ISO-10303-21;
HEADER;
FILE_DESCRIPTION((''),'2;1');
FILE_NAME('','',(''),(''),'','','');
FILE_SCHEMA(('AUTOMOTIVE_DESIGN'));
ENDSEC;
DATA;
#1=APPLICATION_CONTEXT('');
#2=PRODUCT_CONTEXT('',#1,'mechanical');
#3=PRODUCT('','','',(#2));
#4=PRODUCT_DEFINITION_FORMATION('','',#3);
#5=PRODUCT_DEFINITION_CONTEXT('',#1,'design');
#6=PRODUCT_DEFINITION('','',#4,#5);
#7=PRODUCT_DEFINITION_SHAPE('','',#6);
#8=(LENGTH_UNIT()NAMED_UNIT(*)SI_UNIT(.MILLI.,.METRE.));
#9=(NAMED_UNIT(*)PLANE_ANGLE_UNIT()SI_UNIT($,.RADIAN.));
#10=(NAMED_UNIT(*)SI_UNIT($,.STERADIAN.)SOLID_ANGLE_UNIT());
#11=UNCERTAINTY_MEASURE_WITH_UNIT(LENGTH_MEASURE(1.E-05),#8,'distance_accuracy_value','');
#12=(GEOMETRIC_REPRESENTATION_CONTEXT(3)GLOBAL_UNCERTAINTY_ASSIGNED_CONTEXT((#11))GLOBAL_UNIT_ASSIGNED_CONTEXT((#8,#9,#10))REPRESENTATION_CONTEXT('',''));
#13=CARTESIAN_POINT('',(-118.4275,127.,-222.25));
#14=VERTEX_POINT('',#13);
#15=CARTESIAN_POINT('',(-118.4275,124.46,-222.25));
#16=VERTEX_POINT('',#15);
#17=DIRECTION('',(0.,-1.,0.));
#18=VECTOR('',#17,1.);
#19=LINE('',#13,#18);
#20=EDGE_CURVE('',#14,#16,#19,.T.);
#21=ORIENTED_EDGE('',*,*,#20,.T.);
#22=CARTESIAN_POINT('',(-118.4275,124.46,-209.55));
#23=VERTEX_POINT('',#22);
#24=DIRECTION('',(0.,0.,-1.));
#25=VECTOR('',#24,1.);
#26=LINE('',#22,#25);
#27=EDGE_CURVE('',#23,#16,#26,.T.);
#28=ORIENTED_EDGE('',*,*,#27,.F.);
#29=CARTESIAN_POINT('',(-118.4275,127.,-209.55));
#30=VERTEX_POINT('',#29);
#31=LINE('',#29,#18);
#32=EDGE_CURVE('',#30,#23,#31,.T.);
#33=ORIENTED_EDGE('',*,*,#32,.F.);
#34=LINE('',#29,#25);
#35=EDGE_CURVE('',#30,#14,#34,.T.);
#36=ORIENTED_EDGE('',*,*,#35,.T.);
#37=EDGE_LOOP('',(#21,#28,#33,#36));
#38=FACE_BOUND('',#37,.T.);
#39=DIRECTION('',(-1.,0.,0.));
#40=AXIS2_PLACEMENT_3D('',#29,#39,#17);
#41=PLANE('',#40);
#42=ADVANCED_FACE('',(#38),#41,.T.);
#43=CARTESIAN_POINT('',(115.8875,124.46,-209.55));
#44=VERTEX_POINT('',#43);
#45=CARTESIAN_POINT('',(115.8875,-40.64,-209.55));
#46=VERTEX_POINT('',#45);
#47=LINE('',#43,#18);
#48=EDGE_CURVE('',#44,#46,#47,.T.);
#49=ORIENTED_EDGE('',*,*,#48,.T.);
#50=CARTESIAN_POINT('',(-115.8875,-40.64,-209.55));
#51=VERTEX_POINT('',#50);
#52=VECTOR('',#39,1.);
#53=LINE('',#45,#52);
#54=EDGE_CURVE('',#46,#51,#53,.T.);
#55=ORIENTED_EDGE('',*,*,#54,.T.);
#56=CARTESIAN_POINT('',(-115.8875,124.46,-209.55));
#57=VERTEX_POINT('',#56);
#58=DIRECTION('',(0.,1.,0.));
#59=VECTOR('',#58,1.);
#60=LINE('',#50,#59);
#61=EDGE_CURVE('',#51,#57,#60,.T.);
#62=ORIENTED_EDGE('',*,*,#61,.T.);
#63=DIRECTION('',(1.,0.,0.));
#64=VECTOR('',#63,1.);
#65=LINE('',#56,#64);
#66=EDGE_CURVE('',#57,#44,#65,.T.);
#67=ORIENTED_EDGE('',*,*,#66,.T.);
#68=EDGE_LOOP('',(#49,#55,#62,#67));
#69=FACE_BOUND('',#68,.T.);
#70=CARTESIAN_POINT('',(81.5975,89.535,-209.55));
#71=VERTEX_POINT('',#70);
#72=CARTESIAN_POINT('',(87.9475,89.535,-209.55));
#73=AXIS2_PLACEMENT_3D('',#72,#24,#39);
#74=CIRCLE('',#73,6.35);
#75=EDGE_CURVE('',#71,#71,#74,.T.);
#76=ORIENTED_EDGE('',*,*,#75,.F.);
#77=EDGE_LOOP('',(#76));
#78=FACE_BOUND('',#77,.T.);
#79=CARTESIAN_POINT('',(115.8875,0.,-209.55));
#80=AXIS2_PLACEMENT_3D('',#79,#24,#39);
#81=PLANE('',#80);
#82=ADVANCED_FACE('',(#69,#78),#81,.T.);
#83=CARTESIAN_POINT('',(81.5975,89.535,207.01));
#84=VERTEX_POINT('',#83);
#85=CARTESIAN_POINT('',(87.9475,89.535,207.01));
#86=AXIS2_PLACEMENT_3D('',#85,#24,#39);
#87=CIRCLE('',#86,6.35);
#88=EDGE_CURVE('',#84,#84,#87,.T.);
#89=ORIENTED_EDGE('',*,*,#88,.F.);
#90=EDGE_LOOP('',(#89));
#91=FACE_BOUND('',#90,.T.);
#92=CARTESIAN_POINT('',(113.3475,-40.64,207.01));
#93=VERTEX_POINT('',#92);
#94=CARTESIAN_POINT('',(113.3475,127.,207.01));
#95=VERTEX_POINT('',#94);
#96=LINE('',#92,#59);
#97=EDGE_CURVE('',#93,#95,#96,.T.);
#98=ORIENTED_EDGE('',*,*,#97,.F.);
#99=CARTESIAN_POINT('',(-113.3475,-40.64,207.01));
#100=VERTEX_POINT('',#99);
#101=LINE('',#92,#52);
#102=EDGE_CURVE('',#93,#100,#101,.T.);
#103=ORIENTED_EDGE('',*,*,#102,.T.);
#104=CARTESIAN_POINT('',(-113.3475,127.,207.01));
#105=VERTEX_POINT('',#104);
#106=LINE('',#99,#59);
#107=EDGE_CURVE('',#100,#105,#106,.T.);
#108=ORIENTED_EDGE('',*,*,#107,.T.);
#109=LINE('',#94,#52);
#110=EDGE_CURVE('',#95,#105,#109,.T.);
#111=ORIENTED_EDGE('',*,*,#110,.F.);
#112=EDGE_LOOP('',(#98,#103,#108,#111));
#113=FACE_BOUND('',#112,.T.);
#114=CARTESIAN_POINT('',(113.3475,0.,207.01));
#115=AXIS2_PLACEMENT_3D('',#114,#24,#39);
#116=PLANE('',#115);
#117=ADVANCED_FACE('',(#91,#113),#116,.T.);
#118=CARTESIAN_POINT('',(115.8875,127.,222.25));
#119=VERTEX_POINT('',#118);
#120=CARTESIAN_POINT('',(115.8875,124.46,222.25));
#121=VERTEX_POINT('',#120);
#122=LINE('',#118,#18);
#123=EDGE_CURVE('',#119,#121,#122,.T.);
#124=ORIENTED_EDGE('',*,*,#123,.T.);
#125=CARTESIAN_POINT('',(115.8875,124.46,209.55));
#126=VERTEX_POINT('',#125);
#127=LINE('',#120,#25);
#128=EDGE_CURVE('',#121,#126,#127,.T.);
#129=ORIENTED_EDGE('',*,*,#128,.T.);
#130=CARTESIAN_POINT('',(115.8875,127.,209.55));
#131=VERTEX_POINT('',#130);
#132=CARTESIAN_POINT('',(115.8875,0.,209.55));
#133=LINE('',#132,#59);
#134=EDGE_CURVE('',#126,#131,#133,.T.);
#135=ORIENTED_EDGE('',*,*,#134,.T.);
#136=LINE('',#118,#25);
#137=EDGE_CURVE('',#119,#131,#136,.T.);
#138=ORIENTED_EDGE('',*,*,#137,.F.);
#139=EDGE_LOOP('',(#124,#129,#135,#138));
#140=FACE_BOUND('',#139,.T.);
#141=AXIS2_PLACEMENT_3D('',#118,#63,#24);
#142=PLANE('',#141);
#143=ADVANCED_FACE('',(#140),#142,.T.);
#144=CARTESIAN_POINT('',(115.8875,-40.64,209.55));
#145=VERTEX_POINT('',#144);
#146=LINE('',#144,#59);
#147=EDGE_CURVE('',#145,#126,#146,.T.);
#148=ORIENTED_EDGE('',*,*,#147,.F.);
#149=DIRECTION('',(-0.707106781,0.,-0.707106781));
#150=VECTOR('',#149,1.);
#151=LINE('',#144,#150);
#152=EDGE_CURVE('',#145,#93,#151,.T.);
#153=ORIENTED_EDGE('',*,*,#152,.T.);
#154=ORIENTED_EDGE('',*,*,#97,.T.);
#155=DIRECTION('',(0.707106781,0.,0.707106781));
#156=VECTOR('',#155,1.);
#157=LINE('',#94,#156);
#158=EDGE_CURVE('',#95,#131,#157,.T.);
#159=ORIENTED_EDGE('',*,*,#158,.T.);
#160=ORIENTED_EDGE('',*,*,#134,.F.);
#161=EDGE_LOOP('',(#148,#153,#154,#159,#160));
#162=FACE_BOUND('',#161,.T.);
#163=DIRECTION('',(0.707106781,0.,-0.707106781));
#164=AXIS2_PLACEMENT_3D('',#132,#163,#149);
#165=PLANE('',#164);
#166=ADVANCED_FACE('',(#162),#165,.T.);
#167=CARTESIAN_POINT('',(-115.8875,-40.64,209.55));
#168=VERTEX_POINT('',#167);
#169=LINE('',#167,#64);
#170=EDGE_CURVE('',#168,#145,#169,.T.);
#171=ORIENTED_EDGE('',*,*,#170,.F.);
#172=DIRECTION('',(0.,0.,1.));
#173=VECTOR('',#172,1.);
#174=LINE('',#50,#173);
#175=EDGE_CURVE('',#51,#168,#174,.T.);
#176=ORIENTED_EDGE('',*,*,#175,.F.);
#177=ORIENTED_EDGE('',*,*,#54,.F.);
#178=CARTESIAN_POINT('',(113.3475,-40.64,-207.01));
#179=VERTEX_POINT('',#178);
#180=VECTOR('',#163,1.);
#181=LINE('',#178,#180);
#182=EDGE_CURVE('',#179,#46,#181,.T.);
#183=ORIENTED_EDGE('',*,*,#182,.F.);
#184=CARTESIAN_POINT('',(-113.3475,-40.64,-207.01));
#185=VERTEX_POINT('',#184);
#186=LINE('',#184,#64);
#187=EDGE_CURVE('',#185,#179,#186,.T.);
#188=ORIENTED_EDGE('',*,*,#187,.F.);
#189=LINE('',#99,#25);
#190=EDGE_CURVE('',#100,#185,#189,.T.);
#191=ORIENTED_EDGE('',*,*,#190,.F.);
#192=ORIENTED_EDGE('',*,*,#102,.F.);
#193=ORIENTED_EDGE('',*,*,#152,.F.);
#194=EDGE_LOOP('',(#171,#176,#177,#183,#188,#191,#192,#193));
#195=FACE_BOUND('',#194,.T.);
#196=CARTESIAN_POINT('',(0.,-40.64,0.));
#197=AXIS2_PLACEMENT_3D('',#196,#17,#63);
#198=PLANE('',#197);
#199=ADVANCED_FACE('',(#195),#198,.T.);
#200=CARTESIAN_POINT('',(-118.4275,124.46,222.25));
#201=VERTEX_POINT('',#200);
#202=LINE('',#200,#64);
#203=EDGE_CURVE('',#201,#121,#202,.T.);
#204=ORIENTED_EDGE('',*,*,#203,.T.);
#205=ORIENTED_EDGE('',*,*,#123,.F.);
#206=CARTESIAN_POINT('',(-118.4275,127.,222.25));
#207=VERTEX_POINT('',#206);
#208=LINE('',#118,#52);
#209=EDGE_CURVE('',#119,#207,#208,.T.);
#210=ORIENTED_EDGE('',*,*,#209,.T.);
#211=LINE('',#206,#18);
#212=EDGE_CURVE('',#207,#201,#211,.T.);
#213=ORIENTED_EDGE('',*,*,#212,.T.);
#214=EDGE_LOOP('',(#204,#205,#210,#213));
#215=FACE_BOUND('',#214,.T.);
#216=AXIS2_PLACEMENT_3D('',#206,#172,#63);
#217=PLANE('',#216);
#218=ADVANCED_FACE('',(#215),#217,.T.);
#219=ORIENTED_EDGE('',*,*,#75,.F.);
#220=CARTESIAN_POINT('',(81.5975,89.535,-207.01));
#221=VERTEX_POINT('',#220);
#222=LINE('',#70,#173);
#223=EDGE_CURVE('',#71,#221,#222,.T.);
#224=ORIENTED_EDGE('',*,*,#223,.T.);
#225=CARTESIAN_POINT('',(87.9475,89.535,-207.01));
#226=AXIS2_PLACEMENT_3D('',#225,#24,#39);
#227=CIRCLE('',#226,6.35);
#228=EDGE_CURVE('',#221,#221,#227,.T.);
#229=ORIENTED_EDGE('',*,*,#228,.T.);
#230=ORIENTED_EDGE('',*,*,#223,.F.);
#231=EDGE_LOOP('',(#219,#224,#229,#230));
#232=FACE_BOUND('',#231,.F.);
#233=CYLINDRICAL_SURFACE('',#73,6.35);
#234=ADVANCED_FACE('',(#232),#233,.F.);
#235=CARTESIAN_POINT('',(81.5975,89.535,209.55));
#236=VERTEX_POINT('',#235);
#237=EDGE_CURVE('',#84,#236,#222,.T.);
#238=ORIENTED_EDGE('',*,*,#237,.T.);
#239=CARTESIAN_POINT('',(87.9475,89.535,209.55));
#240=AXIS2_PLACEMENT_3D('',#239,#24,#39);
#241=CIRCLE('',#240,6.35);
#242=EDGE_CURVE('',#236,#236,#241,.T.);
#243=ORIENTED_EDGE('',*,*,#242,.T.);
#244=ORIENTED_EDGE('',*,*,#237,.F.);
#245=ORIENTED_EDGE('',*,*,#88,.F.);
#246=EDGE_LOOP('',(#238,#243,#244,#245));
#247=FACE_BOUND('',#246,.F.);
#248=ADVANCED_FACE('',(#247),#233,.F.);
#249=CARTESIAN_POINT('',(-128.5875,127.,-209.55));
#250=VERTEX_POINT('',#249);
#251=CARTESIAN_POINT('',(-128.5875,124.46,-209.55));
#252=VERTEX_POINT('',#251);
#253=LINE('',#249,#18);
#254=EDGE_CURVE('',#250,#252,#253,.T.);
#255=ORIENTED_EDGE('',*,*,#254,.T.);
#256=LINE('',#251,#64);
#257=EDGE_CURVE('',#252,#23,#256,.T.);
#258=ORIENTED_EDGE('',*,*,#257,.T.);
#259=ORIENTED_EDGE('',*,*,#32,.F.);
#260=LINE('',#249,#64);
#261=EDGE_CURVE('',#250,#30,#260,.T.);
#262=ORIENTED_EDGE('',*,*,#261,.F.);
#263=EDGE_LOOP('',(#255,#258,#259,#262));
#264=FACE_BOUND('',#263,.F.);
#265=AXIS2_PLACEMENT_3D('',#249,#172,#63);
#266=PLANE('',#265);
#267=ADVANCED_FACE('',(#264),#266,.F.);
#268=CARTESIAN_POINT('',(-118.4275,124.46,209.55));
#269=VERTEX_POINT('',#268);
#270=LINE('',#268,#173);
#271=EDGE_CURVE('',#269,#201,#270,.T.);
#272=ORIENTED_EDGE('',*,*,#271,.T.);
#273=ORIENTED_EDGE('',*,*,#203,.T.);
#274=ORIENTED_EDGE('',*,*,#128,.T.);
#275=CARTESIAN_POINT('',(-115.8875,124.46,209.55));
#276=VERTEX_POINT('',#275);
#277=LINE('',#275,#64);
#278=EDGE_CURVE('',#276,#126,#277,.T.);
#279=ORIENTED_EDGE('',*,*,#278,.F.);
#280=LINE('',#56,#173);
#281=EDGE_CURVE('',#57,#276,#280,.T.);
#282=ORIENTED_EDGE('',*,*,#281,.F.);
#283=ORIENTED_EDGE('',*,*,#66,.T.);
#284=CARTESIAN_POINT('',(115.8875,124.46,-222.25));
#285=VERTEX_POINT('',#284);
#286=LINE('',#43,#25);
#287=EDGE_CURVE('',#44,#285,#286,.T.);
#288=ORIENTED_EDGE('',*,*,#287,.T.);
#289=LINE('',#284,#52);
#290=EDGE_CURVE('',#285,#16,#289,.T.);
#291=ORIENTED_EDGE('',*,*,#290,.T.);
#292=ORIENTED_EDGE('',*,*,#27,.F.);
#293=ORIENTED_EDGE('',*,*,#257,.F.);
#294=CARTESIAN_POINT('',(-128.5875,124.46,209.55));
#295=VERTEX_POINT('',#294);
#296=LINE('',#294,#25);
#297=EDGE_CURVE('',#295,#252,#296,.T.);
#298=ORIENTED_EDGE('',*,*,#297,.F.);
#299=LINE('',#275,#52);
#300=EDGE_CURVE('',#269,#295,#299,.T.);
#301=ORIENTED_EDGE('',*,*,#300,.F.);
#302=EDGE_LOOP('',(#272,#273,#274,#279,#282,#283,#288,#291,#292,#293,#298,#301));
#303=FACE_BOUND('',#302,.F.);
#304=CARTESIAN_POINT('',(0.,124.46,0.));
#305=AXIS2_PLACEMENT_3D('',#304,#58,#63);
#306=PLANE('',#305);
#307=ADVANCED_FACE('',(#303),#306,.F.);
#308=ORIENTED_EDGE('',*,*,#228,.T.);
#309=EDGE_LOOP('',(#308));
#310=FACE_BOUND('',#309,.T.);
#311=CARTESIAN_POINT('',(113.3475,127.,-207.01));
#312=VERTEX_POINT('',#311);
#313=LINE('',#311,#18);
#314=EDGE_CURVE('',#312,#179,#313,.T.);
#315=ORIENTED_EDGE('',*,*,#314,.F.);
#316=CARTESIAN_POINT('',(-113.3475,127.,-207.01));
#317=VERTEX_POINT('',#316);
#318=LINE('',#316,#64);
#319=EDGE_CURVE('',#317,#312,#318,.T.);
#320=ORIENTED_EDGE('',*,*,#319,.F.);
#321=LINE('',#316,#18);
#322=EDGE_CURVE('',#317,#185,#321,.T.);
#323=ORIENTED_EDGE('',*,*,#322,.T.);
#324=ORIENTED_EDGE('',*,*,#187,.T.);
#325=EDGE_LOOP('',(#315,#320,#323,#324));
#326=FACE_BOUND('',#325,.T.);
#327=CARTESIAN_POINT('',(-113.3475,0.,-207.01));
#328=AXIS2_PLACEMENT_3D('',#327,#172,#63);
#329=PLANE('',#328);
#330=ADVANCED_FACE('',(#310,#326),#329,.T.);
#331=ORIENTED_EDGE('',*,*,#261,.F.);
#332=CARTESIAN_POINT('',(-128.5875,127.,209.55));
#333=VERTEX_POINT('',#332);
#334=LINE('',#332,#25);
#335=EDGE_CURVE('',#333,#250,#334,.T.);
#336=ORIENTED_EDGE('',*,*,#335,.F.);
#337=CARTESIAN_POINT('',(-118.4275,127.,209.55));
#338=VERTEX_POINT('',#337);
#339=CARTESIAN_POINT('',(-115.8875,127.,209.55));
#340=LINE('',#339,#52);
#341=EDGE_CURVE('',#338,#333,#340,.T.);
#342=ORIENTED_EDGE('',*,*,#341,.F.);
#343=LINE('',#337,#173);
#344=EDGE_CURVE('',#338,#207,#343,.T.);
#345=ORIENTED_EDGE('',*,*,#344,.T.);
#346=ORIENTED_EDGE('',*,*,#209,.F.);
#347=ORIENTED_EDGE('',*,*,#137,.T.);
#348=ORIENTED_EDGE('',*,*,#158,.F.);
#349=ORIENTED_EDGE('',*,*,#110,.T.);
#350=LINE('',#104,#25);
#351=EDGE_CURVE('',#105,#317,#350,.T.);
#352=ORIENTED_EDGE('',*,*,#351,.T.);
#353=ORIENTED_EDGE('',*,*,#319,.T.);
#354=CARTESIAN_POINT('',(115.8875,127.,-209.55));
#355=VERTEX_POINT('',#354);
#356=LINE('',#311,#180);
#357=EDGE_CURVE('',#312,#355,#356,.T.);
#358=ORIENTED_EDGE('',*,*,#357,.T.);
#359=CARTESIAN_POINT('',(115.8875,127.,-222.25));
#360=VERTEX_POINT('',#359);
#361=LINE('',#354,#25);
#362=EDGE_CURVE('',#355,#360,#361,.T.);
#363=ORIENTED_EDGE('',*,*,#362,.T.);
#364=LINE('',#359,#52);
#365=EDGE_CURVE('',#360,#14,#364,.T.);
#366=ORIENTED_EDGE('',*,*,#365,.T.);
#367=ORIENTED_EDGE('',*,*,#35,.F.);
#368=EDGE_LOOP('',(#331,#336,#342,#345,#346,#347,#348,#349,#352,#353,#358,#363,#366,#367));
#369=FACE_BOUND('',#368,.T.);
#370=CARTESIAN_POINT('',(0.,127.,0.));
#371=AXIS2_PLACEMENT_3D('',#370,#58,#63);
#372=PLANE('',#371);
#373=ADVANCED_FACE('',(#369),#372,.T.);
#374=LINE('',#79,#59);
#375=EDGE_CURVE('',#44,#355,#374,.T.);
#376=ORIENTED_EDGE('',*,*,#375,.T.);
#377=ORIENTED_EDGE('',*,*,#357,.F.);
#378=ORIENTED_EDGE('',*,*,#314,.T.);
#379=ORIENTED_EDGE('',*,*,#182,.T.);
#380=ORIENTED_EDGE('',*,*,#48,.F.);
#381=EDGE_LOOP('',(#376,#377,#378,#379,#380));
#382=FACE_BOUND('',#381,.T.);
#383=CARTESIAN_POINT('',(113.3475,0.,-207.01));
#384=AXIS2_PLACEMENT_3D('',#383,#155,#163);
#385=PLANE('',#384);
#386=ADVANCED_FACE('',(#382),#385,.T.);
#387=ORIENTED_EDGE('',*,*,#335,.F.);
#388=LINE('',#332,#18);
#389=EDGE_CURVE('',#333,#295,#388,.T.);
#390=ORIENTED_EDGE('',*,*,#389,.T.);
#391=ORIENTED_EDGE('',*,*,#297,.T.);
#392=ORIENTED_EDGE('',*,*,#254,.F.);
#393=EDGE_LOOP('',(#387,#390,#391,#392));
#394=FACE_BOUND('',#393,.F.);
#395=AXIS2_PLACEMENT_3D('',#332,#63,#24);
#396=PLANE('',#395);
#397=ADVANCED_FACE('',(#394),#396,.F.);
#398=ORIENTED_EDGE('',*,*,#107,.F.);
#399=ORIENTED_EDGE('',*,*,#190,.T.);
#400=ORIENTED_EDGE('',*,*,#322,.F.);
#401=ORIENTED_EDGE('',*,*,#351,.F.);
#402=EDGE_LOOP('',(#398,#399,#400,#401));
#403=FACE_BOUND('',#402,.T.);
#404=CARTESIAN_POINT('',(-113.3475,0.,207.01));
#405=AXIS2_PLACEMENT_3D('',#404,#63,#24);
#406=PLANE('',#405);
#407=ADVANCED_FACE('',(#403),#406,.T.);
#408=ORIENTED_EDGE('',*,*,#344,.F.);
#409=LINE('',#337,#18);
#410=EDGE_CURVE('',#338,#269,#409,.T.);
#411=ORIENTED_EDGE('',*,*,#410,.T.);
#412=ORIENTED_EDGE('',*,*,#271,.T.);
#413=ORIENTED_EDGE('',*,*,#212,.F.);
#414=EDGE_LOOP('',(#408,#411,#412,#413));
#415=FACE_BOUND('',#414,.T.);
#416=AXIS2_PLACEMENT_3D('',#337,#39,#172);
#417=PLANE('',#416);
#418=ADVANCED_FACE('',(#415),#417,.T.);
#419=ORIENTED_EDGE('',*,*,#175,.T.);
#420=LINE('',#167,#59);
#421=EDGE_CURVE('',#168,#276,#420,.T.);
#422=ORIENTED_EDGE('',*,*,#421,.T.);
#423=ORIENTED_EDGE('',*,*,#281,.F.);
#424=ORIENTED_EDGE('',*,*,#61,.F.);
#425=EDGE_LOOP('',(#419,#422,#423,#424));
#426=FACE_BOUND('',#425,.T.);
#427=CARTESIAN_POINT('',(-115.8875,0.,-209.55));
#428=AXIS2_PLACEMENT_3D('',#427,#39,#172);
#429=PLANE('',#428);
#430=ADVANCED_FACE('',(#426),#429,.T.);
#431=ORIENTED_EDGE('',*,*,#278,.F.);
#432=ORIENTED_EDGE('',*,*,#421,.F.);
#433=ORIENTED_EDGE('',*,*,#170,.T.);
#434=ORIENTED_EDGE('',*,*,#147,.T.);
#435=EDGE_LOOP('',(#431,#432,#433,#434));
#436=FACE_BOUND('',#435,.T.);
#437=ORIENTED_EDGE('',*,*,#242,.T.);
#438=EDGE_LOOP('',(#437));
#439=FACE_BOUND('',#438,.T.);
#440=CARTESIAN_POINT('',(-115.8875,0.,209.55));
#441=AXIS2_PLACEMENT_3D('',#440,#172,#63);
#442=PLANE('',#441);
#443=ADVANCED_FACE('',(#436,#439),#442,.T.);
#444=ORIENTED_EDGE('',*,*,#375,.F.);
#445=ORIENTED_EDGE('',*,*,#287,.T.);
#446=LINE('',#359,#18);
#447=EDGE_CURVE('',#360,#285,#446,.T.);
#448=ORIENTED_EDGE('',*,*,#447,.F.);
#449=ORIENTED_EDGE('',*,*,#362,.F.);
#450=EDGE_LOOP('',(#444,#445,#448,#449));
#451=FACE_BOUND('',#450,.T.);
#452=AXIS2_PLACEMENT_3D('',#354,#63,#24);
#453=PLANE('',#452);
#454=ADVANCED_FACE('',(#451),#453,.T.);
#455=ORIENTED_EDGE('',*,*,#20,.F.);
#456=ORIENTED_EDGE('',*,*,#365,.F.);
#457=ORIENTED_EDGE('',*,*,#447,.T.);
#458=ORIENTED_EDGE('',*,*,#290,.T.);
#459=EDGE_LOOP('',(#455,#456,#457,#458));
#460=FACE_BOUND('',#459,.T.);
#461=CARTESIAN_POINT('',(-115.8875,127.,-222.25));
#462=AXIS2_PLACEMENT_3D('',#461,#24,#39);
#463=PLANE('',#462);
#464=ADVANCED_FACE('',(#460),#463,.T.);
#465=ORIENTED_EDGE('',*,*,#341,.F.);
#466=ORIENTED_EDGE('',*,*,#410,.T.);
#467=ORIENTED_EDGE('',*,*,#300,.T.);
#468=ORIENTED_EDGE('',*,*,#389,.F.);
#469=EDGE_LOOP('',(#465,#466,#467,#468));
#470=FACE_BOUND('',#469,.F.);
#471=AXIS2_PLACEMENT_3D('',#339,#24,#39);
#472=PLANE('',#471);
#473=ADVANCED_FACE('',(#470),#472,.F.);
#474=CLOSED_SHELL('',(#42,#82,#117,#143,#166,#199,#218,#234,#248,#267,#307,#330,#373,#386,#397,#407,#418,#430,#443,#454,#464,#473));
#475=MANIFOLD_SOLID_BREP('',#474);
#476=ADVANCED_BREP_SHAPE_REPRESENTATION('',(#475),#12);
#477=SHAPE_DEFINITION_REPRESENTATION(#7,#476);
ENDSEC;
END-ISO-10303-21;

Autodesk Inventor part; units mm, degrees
ref_plane "YZ Plane" through (0, 0, 0) normal (1, 0, 0) x (0, 1, 0)
ref_plane "XZ Plane" through (0, 0, 0) normal (0, 1, 0) x (-1, 0, 0)
ref_plane "XY Plane" through (0, 0, 0) normal (0, 0, 1) x (1, 0, 0)
sketch "Sketch1" plane through (0, 0, 0) normal (0, 1, 0) x (-1, 0, 0)
  line L0 (-115.8875, -209.55) -> (115.8875, -209.55)
  line L1 (115.8875, -209.55) -> (115.8875, 209.55)
  line L2 (115.8875, 209.55) -> (-115.8875, 209.55)
  line L3 (-115.8875, -209.55) -> (115.8875, 209.55) construction
  line L4 (115.8875, -209.55) -> (-115.8875, 209.55) construction
  line L5 (113.3475, 207.01) -> (113.3475, -207.01)
  line L6 (113.3475, -207.01) -> (-113.3475, -207.01)
  line L7 (-113.3475, 207.01) -> (113.3475, 207.01)
  line L8 (-113.3475, 207.01) -> (-115.8875, 209.55)
  line L9 (-113.3475, -207.01) -> (-115.8875, -209.55)
  point P0 (0, 0)
  dimension "d0" = 231.775
  dimension "d1" = 419.1
  dimension "d2" = 2.54
extrude "Extrusion1" add sketch "Sketch1" along normal blind 127
sketch "Sketch2" plane through (0, 127, 0) normal (0, 1, 0) x (1, 0, 0)
  line L0 (-115.8875, -209.55) -> (-128.5875, -209.55)
  line L1 (-128.5875, -209.55) -> (-128.5875, 209.55)
  line L2 (-128.5875, 209.55) -> (-115.8875, 209.55)
  line L3 (-115.8875, 209.55) -> (-115.8875, -209.55)
  line L4 (-115.8875, 209.55) -> (115.8875, 209.55)
  line L5 (115.8875, 209.55) -> (115.8875, 222.25)
  line L6 (115.8875, 222.25) -> (-115.8875, 222.25)
  line L7 (-115.8875, 222.25) -> (-115.8875, 209.55)
  line L8 (-115.8875, -209.55) -> (115.8875, -209.55) projected
  line L9 (115.8875, -209.55) -> (-115.8875, -209.55)
  line L10 (-115.8875, -209.55) -> (-115.8875, -222.25)
  line L11 (-115.8875, -222.25) -> (115.8875, -222.25)
  line L12 (115.8875, -222.25) -> (115.8875, -209.55)
  point P0 (0, 0)
  dimension "d5" = 12.7
  dimension "d6" = 419.1
  dimension "d7" = 231.775
  dimension "d8" = 12.7
  dimension "d9" = 12.7
  dimension "d12" = 231.775
extrude "Extrusion2" add sketch "Sketch2" against normal blind 2.54
sketch "Sketch3" plane through (0, 0, 0) normal (0, -1, 0) x (1, 0, 0)
  line L0 (115.8875, -209.55) -> (-115.8875, -209.55) projected
  line L1 (113.3475, -207.01) -> (115.8875, -209.55) projected
  line L2 (-113.3475, -207.01) -> (113.3475, -207.01) projected
  line L3 (-113.3475, 207.01) -> (-113.3475, -207.01) projected
  line L4 (113.3475, 207.01) -> (-113.3475, 207.01) projected
  line L5 (115.8875, 209.55) -> (113.3475, 207.01) projected
  line L6 (-115.8875, 209.55) -> (115.8875, 209.55) projected
  line L7 (-115.8875, -209.55) -> (-115.8875, 209.55) projected
  point P0 (0, 0)
extrude "Extrusion3" add sketch "Sketch3" along normal blind 40.64
sketch "Sketch4" plane through (115.8875, 124.46, -209.55) normal (0, 0, -1) x (-1, 0, 0)
  circle A0 centre (27.94, -34.925) radius 6.35
  line L0 (0, 0) -> (0, -165.1) projected
  line L1 (231.775, 0) -> (0, 0) projected
  circle A1 centre (85.3615, -107.95) radius 99.06 construction
  point P0 (115.8875, -124.46)
  dimension "d15" = 12.7
  dimension "d25" = 27.94
  dimension "d26" = 34.925
extrude "Extrusion4" cut sketch "Sketch4" against normal through all
sketch "Sketch5" plane through (-115.8875, 127, -209.55) normal (0, 0, -1) x (-1, 0, 0)
  line L0 (5.08, -2.54) -> (5.08, 49.46) projected
  line L1 (0, 0) -> (0, -2.54) projected
  line L2 (2.54, -2.54) -> (2.54, -27.94) projected
  line L3 (0, -2.54) -> (0, 0) projected
  line L4 (0, 0) -> (2.54, 0)
  line L5 (2.54, 0) -> (2.54, -2.54)
  line L6 (2.54, -2.54) -> (0, -2.54)
  line L7 (0, -2.54) -> (0, 0)
  point P0 (-115.8875, -127)
extrude "Extrusion5" add sketch "Sketch5" along normal blind 12.7
sketch "Sketch6" plane through (0, 127, 0) normal (0, 1, 0) x (1, 0, 0)
  line L0 (-115.8875, -209.55) -> (-128.5875, -209.55) projected
  line L1 (-115.8875, -209.55) -> (-118.4275, -209.55)
  line L2 (-118.4275, -209.55) -> (-118.4275, -222.25)
  line L3 (-118.4275, -222.25) -> (-115.8875, -222.25)
  line L4 (-115.8875, -222.25) -> (-115.8875, -209.55)
  point P0 (0, 0)
  dimension "d20" = 2.54
extrude "Extrusion6" add sketch "Sketch6" against normal blind 2.54
properties part number "Intake Drop" material "Aluminum 6061"
